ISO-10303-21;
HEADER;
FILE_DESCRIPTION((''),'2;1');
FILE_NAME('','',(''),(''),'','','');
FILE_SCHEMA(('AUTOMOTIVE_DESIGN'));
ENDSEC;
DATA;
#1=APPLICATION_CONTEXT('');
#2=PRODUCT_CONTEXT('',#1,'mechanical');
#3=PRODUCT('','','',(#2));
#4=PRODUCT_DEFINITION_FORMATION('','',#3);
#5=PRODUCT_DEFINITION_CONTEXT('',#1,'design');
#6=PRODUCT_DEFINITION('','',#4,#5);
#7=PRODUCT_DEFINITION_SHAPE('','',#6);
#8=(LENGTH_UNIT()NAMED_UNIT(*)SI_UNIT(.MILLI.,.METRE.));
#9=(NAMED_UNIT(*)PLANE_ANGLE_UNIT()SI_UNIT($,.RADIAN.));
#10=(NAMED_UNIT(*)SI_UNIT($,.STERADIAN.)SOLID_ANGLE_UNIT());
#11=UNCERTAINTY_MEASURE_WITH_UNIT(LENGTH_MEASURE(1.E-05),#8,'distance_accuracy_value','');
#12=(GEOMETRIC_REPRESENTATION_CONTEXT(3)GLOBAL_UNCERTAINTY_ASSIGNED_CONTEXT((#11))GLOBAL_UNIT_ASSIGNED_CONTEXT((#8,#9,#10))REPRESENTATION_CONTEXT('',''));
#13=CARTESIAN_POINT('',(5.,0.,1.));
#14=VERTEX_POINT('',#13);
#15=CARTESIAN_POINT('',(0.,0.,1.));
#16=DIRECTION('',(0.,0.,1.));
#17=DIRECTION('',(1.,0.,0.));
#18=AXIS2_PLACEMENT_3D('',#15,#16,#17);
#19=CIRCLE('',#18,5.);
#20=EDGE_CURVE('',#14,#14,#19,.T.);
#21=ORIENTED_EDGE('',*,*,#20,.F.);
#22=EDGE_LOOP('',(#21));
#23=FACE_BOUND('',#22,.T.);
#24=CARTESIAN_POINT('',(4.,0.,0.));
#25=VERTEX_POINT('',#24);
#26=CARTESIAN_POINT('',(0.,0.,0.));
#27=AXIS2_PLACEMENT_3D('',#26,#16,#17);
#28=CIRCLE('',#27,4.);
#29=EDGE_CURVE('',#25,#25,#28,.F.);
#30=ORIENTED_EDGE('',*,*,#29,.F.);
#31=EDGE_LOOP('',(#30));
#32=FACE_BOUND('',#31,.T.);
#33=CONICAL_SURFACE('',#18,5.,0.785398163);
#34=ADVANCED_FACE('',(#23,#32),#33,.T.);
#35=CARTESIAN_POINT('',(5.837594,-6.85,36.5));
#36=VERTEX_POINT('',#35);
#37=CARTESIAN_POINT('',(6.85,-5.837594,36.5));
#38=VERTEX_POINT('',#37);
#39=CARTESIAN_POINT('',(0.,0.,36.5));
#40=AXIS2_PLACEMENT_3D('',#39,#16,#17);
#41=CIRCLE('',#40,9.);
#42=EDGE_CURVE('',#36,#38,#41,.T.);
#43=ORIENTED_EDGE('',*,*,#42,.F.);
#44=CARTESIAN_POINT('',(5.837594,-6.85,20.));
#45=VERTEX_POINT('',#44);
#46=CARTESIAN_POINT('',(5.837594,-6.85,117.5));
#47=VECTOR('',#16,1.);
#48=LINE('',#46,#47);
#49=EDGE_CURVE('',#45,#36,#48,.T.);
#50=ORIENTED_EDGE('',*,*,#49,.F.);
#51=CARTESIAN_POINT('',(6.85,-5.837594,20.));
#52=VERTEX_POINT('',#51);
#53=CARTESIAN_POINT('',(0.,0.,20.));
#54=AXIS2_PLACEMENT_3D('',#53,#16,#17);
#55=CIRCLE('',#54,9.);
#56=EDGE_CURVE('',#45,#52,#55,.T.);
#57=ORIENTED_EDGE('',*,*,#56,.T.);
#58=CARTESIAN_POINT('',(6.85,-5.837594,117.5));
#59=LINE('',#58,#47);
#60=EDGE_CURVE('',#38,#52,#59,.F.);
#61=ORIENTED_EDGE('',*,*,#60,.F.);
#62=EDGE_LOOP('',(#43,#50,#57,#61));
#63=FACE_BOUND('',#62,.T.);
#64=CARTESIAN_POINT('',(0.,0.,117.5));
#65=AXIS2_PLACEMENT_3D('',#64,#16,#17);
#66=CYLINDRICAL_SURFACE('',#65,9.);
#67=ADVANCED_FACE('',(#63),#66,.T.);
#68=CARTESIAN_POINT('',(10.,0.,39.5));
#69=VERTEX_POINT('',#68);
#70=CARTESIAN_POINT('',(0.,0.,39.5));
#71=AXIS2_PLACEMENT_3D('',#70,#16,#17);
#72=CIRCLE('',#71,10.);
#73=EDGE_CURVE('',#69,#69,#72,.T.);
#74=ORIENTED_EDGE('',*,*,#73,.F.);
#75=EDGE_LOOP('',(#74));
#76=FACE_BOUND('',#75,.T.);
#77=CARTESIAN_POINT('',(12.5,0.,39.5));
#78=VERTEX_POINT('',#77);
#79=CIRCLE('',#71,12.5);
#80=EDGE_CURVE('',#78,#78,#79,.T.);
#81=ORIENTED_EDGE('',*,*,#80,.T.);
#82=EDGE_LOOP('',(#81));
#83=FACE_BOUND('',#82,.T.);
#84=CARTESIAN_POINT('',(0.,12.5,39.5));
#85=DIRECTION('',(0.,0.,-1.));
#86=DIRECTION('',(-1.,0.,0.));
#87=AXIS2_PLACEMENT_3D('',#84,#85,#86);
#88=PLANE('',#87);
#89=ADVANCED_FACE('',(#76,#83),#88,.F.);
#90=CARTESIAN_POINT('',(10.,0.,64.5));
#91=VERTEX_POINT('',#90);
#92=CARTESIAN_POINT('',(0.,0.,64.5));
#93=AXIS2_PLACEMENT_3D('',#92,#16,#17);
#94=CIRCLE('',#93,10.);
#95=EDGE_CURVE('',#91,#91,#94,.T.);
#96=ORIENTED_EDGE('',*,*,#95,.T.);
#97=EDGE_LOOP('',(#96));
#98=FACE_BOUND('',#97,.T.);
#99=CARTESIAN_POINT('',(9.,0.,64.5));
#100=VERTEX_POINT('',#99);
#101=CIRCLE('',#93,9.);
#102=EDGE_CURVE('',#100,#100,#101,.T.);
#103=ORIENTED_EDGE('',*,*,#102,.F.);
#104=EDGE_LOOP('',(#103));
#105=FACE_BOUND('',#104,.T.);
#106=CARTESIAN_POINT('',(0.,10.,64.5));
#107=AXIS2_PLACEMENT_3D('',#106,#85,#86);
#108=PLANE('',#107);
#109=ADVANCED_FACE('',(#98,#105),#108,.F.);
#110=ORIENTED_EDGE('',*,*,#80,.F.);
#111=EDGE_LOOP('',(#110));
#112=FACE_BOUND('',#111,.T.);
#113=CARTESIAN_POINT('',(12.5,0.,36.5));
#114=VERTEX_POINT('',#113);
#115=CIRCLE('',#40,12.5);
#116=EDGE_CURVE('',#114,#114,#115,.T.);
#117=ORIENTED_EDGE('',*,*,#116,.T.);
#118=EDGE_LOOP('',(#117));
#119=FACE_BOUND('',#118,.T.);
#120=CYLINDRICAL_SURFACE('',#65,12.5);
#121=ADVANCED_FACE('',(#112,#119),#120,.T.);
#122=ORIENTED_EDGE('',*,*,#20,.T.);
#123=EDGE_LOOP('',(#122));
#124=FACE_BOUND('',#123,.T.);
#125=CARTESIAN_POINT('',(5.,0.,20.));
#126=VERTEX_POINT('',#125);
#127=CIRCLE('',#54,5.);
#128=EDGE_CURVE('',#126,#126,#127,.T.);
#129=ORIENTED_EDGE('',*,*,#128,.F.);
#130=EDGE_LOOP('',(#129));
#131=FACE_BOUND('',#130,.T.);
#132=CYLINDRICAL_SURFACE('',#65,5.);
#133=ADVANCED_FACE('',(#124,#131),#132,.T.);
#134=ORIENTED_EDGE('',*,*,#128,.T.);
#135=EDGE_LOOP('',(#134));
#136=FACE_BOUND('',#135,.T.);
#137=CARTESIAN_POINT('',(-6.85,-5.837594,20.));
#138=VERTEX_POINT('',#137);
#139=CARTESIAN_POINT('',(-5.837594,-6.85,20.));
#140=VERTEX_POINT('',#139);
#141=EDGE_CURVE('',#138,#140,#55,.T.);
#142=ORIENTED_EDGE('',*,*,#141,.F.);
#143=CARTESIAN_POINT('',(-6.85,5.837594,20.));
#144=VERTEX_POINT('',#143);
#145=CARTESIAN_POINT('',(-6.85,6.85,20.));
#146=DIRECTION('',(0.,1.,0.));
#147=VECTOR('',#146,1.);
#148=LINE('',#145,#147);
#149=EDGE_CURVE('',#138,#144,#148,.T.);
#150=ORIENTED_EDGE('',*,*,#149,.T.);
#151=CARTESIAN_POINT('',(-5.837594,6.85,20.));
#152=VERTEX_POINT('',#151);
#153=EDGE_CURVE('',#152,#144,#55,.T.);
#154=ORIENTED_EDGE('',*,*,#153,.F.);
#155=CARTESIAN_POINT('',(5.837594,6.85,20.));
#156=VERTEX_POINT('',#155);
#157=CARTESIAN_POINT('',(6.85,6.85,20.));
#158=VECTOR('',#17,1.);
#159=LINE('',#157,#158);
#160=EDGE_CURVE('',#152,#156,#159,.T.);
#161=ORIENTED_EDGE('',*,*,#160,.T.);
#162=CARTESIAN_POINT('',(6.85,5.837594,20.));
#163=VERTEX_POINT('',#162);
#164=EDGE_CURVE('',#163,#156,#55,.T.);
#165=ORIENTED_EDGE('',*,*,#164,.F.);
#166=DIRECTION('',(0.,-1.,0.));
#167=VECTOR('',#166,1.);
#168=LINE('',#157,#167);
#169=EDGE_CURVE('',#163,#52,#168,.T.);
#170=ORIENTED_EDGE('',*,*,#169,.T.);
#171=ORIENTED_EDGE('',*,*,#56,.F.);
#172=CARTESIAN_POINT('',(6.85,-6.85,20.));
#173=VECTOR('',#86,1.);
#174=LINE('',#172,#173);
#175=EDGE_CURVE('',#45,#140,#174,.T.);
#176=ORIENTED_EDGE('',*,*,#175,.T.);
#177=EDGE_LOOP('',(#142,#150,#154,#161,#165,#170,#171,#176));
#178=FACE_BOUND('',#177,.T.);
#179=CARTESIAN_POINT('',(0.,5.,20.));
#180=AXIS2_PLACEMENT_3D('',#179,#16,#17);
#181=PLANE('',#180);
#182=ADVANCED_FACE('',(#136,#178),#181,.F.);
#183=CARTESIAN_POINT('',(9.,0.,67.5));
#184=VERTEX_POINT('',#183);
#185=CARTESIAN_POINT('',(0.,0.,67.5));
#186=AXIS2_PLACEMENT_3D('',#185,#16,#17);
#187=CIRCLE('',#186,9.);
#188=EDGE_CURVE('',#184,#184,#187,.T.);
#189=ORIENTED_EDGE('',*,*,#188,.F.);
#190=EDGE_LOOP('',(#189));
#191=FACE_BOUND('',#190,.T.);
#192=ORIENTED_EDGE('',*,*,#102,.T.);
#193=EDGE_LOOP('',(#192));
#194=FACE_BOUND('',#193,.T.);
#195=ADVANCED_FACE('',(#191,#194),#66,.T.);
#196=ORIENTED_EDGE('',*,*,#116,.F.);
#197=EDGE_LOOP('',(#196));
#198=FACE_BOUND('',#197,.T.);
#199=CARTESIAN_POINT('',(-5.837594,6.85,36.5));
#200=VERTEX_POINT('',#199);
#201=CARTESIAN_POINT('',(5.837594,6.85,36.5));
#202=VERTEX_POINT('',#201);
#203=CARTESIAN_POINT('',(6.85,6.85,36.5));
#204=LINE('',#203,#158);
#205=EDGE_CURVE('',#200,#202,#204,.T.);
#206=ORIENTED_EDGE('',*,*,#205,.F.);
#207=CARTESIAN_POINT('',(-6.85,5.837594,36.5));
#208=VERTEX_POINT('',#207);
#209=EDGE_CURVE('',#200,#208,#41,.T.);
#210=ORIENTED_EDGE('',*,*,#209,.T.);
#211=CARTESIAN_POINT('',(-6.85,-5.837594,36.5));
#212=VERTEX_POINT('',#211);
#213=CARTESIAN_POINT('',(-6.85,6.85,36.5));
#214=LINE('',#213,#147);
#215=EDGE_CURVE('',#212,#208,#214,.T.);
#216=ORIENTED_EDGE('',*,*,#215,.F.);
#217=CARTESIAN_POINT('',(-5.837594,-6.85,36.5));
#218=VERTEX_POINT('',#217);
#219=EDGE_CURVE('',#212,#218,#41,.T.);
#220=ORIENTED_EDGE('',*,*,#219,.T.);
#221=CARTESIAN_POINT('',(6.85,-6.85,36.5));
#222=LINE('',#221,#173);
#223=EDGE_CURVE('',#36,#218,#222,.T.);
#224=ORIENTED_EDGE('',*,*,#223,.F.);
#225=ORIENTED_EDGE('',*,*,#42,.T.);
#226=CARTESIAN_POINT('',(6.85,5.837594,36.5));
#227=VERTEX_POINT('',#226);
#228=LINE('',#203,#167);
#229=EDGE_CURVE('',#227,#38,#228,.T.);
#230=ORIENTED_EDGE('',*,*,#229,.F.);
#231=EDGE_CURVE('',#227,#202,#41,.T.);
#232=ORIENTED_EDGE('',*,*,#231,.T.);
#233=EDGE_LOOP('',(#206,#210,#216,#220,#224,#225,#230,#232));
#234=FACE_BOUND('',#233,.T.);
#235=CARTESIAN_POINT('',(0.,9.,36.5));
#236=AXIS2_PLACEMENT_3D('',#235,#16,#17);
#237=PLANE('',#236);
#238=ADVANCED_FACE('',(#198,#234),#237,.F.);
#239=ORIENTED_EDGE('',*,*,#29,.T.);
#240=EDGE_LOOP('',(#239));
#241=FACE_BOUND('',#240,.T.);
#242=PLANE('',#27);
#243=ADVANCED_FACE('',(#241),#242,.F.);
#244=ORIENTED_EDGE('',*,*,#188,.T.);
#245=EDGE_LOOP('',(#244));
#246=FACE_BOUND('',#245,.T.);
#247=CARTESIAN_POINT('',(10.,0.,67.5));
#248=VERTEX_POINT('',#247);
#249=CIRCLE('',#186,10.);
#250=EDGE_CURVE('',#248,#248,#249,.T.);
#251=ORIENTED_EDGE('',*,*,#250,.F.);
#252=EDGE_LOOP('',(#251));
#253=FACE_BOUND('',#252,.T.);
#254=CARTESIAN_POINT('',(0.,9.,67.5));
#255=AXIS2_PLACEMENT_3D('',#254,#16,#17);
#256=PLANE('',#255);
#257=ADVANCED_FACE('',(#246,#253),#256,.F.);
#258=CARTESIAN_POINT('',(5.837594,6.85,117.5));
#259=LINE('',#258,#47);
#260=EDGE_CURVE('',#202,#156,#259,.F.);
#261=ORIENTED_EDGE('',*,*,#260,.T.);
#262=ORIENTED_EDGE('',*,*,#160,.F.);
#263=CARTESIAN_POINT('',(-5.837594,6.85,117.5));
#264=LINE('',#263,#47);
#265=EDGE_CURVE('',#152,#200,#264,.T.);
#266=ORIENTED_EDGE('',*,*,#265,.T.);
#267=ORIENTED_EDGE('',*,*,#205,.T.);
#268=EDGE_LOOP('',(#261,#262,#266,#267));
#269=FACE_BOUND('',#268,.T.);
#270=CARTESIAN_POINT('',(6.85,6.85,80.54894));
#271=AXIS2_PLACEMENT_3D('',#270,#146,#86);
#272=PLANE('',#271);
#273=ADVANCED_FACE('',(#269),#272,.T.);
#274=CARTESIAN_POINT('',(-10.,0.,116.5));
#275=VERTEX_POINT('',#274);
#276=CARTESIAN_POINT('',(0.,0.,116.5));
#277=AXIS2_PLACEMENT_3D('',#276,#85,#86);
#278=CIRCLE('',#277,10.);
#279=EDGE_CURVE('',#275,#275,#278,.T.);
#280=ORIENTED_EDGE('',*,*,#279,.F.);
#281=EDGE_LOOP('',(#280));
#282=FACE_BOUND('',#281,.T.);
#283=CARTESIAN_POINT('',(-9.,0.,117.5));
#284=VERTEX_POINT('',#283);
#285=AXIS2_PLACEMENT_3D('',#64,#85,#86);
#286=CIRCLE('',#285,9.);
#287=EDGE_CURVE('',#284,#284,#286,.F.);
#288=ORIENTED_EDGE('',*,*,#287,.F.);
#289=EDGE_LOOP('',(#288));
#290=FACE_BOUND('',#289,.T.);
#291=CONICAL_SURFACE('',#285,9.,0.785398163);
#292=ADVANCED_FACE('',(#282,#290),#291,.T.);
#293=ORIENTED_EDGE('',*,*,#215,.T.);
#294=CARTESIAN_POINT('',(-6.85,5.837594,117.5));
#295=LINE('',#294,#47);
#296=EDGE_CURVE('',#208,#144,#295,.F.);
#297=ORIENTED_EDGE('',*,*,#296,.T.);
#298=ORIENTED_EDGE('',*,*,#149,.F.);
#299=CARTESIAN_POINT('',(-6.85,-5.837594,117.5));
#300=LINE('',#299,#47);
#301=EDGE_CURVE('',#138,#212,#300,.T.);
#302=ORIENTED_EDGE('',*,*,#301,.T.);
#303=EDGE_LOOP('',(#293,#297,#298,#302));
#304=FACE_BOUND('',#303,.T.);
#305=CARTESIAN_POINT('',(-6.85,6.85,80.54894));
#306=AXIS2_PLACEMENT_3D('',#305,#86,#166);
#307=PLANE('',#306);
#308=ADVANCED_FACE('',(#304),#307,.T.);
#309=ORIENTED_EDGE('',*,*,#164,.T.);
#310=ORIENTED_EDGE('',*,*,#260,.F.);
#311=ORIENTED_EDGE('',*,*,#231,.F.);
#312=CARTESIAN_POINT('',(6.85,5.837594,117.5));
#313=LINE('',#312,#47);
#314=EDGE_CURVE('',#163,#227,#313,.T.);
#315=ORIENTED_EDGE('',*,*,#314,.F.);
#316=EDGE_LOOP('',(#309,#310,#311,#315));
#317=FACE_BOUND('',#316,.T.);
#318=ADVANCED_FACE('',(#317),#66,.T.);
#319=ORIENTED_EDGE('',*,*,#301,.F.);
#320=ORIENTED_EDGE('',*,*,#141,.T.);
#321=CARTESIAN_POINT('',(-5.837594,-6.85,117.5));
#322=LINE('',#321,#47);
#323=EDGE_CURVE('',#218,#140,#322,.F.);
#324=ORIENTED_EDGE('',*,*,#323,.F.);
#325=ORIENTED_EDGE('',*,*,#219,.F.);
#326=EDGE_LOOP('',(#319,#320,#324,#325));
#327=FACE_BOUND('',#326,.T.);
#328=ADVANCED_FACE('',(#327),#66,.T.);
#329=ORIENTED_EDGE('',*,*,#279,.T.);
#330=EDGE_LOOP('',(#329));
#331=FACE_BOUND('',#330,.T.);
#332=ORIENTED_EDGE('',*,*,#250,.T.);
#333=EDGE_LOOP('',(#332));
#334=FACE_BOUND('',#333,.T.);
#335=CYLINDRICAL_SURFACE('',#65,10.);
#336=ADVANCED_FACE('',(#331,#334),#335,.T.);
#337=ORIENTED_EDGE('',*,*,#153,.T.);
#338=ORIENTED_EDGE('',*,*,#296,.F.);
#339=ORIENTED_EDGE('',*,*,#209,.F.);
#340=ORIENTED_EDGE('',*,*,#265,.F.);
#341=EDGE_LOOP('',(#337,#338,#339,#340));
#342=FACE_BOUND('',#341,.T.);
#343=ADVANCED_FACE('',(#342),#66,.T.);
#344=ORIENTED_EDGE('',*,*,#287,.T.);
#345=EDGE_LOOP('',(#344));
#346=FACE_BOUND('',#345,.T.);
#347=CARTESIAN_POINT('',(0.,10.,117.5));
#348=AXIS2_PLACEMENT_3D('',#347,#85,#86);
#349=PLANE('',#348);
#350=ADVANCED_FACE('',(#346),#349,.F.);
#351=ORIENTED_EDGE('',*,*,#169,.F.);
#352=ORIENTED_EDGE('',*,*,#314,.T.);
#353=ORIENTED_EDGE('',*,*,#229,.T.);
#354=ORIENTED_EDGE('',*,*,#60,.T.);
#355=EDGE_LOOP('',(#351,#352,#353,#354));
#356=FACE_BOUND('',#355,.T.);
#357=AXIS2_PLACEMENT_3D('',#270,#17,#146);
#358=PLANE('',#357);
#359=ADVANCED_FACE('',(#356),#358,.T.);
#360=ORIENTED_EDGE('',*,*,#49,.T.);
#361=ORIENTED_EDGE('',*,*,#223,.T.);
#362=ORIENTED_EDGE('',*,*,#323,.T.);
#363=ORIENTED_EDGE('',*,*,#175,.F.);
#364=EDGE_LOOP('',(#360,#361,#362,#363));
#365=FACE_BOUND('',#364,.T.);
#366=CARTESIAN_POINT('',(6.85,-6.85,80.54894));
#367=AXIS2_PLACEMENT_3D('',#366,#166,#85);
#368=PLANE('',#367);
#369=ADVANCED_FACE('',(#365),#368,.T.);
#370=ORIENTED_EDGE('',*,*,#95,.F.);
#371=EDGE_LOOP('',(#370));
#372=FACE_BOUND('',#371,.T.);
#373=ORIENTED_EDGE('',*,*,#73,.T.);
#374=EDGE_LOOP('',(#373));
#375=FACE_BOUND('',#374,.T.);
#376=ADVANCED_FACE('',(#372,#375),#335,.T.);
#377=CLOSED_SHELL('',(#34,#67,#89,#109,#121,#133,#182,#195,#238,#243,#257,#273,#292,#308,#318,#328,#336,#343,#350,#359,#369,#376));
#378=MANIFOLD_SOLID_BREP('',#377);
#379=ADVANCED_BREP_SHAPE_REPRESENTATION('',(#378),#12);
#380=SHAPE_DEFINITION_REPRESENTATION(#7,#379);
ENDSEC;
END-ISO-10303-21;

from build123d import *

# Parameters (mm, degrees)
SKETCH_2_OUTSIDE_W   = 51.54
SKETCH_2_OUTSIDE_H   = 51.54
SKETCH_2_OUTSIDE_W_2 = 13.7
SKETCH_2_OUTSIDE_H_2 = 13.7
CUT_EXTRUDE_1_DEPTH  = 16.5
CHAMFER_1_SIZE       = 1


with BuildPart() as part:
    # 草图1 → 旋转1 (revolve)
    with BuildSketch(Plane(origin=(0, 0, 0), x_dir=(0, 0, -1), z_dir=(1, 0, 0)), mode=Mode.PRIVATE) as revolve_1_sk:
        Polygon((-117.5, 0), (0, 0), (0, 5), (-20, 5), (-20, 9), (-36.5, 9), (-36.5, 12.5), (-39.5, 12.5), (-39.5, 10), (-64.5, 10), (-64.5, 9), (-67.5, 9), (-67.5, 10), (-117.5, 10), align=None)
    revolve(revolve_1_sk.sketch.rotate(Axis((0, 0, 117.5), (0, 0, -1)), 90), axis=Axis((0, 0, 117.5), (0, 0, -1)))

    # 草图2 outside → 切除-拉伸1 (cut)
    with BuildSketch(Plane(origin=(0, 0, 20), x_dir=(-1, 0, 0), z_dir=(0, 0, -1))):
        Rectangle(SKETCH_2_OUTSIDE_W, SKETCH_2_OUTSIDE_H)
        Rectangle(SKETCH_2_OUTSIDE_W_2, SKETCH_2_OUTSIDE_H_2, mode=Mode.SUBTRACT)
    extrude(amount=-CUT_EXTRUDE_1_DEPTH, mode=Mode.SUBTRACT)

    # 倒角1
    chamfer_1_edges = [part.edges().sort_by_distance(p)[0] for p in [
        (-5, 0, 0),
        (-10, 0, 117.5),
    ]]
    chamfer(chamfer_1_edges, length=CHAMFER_1_SIZE)


solid = part.part
